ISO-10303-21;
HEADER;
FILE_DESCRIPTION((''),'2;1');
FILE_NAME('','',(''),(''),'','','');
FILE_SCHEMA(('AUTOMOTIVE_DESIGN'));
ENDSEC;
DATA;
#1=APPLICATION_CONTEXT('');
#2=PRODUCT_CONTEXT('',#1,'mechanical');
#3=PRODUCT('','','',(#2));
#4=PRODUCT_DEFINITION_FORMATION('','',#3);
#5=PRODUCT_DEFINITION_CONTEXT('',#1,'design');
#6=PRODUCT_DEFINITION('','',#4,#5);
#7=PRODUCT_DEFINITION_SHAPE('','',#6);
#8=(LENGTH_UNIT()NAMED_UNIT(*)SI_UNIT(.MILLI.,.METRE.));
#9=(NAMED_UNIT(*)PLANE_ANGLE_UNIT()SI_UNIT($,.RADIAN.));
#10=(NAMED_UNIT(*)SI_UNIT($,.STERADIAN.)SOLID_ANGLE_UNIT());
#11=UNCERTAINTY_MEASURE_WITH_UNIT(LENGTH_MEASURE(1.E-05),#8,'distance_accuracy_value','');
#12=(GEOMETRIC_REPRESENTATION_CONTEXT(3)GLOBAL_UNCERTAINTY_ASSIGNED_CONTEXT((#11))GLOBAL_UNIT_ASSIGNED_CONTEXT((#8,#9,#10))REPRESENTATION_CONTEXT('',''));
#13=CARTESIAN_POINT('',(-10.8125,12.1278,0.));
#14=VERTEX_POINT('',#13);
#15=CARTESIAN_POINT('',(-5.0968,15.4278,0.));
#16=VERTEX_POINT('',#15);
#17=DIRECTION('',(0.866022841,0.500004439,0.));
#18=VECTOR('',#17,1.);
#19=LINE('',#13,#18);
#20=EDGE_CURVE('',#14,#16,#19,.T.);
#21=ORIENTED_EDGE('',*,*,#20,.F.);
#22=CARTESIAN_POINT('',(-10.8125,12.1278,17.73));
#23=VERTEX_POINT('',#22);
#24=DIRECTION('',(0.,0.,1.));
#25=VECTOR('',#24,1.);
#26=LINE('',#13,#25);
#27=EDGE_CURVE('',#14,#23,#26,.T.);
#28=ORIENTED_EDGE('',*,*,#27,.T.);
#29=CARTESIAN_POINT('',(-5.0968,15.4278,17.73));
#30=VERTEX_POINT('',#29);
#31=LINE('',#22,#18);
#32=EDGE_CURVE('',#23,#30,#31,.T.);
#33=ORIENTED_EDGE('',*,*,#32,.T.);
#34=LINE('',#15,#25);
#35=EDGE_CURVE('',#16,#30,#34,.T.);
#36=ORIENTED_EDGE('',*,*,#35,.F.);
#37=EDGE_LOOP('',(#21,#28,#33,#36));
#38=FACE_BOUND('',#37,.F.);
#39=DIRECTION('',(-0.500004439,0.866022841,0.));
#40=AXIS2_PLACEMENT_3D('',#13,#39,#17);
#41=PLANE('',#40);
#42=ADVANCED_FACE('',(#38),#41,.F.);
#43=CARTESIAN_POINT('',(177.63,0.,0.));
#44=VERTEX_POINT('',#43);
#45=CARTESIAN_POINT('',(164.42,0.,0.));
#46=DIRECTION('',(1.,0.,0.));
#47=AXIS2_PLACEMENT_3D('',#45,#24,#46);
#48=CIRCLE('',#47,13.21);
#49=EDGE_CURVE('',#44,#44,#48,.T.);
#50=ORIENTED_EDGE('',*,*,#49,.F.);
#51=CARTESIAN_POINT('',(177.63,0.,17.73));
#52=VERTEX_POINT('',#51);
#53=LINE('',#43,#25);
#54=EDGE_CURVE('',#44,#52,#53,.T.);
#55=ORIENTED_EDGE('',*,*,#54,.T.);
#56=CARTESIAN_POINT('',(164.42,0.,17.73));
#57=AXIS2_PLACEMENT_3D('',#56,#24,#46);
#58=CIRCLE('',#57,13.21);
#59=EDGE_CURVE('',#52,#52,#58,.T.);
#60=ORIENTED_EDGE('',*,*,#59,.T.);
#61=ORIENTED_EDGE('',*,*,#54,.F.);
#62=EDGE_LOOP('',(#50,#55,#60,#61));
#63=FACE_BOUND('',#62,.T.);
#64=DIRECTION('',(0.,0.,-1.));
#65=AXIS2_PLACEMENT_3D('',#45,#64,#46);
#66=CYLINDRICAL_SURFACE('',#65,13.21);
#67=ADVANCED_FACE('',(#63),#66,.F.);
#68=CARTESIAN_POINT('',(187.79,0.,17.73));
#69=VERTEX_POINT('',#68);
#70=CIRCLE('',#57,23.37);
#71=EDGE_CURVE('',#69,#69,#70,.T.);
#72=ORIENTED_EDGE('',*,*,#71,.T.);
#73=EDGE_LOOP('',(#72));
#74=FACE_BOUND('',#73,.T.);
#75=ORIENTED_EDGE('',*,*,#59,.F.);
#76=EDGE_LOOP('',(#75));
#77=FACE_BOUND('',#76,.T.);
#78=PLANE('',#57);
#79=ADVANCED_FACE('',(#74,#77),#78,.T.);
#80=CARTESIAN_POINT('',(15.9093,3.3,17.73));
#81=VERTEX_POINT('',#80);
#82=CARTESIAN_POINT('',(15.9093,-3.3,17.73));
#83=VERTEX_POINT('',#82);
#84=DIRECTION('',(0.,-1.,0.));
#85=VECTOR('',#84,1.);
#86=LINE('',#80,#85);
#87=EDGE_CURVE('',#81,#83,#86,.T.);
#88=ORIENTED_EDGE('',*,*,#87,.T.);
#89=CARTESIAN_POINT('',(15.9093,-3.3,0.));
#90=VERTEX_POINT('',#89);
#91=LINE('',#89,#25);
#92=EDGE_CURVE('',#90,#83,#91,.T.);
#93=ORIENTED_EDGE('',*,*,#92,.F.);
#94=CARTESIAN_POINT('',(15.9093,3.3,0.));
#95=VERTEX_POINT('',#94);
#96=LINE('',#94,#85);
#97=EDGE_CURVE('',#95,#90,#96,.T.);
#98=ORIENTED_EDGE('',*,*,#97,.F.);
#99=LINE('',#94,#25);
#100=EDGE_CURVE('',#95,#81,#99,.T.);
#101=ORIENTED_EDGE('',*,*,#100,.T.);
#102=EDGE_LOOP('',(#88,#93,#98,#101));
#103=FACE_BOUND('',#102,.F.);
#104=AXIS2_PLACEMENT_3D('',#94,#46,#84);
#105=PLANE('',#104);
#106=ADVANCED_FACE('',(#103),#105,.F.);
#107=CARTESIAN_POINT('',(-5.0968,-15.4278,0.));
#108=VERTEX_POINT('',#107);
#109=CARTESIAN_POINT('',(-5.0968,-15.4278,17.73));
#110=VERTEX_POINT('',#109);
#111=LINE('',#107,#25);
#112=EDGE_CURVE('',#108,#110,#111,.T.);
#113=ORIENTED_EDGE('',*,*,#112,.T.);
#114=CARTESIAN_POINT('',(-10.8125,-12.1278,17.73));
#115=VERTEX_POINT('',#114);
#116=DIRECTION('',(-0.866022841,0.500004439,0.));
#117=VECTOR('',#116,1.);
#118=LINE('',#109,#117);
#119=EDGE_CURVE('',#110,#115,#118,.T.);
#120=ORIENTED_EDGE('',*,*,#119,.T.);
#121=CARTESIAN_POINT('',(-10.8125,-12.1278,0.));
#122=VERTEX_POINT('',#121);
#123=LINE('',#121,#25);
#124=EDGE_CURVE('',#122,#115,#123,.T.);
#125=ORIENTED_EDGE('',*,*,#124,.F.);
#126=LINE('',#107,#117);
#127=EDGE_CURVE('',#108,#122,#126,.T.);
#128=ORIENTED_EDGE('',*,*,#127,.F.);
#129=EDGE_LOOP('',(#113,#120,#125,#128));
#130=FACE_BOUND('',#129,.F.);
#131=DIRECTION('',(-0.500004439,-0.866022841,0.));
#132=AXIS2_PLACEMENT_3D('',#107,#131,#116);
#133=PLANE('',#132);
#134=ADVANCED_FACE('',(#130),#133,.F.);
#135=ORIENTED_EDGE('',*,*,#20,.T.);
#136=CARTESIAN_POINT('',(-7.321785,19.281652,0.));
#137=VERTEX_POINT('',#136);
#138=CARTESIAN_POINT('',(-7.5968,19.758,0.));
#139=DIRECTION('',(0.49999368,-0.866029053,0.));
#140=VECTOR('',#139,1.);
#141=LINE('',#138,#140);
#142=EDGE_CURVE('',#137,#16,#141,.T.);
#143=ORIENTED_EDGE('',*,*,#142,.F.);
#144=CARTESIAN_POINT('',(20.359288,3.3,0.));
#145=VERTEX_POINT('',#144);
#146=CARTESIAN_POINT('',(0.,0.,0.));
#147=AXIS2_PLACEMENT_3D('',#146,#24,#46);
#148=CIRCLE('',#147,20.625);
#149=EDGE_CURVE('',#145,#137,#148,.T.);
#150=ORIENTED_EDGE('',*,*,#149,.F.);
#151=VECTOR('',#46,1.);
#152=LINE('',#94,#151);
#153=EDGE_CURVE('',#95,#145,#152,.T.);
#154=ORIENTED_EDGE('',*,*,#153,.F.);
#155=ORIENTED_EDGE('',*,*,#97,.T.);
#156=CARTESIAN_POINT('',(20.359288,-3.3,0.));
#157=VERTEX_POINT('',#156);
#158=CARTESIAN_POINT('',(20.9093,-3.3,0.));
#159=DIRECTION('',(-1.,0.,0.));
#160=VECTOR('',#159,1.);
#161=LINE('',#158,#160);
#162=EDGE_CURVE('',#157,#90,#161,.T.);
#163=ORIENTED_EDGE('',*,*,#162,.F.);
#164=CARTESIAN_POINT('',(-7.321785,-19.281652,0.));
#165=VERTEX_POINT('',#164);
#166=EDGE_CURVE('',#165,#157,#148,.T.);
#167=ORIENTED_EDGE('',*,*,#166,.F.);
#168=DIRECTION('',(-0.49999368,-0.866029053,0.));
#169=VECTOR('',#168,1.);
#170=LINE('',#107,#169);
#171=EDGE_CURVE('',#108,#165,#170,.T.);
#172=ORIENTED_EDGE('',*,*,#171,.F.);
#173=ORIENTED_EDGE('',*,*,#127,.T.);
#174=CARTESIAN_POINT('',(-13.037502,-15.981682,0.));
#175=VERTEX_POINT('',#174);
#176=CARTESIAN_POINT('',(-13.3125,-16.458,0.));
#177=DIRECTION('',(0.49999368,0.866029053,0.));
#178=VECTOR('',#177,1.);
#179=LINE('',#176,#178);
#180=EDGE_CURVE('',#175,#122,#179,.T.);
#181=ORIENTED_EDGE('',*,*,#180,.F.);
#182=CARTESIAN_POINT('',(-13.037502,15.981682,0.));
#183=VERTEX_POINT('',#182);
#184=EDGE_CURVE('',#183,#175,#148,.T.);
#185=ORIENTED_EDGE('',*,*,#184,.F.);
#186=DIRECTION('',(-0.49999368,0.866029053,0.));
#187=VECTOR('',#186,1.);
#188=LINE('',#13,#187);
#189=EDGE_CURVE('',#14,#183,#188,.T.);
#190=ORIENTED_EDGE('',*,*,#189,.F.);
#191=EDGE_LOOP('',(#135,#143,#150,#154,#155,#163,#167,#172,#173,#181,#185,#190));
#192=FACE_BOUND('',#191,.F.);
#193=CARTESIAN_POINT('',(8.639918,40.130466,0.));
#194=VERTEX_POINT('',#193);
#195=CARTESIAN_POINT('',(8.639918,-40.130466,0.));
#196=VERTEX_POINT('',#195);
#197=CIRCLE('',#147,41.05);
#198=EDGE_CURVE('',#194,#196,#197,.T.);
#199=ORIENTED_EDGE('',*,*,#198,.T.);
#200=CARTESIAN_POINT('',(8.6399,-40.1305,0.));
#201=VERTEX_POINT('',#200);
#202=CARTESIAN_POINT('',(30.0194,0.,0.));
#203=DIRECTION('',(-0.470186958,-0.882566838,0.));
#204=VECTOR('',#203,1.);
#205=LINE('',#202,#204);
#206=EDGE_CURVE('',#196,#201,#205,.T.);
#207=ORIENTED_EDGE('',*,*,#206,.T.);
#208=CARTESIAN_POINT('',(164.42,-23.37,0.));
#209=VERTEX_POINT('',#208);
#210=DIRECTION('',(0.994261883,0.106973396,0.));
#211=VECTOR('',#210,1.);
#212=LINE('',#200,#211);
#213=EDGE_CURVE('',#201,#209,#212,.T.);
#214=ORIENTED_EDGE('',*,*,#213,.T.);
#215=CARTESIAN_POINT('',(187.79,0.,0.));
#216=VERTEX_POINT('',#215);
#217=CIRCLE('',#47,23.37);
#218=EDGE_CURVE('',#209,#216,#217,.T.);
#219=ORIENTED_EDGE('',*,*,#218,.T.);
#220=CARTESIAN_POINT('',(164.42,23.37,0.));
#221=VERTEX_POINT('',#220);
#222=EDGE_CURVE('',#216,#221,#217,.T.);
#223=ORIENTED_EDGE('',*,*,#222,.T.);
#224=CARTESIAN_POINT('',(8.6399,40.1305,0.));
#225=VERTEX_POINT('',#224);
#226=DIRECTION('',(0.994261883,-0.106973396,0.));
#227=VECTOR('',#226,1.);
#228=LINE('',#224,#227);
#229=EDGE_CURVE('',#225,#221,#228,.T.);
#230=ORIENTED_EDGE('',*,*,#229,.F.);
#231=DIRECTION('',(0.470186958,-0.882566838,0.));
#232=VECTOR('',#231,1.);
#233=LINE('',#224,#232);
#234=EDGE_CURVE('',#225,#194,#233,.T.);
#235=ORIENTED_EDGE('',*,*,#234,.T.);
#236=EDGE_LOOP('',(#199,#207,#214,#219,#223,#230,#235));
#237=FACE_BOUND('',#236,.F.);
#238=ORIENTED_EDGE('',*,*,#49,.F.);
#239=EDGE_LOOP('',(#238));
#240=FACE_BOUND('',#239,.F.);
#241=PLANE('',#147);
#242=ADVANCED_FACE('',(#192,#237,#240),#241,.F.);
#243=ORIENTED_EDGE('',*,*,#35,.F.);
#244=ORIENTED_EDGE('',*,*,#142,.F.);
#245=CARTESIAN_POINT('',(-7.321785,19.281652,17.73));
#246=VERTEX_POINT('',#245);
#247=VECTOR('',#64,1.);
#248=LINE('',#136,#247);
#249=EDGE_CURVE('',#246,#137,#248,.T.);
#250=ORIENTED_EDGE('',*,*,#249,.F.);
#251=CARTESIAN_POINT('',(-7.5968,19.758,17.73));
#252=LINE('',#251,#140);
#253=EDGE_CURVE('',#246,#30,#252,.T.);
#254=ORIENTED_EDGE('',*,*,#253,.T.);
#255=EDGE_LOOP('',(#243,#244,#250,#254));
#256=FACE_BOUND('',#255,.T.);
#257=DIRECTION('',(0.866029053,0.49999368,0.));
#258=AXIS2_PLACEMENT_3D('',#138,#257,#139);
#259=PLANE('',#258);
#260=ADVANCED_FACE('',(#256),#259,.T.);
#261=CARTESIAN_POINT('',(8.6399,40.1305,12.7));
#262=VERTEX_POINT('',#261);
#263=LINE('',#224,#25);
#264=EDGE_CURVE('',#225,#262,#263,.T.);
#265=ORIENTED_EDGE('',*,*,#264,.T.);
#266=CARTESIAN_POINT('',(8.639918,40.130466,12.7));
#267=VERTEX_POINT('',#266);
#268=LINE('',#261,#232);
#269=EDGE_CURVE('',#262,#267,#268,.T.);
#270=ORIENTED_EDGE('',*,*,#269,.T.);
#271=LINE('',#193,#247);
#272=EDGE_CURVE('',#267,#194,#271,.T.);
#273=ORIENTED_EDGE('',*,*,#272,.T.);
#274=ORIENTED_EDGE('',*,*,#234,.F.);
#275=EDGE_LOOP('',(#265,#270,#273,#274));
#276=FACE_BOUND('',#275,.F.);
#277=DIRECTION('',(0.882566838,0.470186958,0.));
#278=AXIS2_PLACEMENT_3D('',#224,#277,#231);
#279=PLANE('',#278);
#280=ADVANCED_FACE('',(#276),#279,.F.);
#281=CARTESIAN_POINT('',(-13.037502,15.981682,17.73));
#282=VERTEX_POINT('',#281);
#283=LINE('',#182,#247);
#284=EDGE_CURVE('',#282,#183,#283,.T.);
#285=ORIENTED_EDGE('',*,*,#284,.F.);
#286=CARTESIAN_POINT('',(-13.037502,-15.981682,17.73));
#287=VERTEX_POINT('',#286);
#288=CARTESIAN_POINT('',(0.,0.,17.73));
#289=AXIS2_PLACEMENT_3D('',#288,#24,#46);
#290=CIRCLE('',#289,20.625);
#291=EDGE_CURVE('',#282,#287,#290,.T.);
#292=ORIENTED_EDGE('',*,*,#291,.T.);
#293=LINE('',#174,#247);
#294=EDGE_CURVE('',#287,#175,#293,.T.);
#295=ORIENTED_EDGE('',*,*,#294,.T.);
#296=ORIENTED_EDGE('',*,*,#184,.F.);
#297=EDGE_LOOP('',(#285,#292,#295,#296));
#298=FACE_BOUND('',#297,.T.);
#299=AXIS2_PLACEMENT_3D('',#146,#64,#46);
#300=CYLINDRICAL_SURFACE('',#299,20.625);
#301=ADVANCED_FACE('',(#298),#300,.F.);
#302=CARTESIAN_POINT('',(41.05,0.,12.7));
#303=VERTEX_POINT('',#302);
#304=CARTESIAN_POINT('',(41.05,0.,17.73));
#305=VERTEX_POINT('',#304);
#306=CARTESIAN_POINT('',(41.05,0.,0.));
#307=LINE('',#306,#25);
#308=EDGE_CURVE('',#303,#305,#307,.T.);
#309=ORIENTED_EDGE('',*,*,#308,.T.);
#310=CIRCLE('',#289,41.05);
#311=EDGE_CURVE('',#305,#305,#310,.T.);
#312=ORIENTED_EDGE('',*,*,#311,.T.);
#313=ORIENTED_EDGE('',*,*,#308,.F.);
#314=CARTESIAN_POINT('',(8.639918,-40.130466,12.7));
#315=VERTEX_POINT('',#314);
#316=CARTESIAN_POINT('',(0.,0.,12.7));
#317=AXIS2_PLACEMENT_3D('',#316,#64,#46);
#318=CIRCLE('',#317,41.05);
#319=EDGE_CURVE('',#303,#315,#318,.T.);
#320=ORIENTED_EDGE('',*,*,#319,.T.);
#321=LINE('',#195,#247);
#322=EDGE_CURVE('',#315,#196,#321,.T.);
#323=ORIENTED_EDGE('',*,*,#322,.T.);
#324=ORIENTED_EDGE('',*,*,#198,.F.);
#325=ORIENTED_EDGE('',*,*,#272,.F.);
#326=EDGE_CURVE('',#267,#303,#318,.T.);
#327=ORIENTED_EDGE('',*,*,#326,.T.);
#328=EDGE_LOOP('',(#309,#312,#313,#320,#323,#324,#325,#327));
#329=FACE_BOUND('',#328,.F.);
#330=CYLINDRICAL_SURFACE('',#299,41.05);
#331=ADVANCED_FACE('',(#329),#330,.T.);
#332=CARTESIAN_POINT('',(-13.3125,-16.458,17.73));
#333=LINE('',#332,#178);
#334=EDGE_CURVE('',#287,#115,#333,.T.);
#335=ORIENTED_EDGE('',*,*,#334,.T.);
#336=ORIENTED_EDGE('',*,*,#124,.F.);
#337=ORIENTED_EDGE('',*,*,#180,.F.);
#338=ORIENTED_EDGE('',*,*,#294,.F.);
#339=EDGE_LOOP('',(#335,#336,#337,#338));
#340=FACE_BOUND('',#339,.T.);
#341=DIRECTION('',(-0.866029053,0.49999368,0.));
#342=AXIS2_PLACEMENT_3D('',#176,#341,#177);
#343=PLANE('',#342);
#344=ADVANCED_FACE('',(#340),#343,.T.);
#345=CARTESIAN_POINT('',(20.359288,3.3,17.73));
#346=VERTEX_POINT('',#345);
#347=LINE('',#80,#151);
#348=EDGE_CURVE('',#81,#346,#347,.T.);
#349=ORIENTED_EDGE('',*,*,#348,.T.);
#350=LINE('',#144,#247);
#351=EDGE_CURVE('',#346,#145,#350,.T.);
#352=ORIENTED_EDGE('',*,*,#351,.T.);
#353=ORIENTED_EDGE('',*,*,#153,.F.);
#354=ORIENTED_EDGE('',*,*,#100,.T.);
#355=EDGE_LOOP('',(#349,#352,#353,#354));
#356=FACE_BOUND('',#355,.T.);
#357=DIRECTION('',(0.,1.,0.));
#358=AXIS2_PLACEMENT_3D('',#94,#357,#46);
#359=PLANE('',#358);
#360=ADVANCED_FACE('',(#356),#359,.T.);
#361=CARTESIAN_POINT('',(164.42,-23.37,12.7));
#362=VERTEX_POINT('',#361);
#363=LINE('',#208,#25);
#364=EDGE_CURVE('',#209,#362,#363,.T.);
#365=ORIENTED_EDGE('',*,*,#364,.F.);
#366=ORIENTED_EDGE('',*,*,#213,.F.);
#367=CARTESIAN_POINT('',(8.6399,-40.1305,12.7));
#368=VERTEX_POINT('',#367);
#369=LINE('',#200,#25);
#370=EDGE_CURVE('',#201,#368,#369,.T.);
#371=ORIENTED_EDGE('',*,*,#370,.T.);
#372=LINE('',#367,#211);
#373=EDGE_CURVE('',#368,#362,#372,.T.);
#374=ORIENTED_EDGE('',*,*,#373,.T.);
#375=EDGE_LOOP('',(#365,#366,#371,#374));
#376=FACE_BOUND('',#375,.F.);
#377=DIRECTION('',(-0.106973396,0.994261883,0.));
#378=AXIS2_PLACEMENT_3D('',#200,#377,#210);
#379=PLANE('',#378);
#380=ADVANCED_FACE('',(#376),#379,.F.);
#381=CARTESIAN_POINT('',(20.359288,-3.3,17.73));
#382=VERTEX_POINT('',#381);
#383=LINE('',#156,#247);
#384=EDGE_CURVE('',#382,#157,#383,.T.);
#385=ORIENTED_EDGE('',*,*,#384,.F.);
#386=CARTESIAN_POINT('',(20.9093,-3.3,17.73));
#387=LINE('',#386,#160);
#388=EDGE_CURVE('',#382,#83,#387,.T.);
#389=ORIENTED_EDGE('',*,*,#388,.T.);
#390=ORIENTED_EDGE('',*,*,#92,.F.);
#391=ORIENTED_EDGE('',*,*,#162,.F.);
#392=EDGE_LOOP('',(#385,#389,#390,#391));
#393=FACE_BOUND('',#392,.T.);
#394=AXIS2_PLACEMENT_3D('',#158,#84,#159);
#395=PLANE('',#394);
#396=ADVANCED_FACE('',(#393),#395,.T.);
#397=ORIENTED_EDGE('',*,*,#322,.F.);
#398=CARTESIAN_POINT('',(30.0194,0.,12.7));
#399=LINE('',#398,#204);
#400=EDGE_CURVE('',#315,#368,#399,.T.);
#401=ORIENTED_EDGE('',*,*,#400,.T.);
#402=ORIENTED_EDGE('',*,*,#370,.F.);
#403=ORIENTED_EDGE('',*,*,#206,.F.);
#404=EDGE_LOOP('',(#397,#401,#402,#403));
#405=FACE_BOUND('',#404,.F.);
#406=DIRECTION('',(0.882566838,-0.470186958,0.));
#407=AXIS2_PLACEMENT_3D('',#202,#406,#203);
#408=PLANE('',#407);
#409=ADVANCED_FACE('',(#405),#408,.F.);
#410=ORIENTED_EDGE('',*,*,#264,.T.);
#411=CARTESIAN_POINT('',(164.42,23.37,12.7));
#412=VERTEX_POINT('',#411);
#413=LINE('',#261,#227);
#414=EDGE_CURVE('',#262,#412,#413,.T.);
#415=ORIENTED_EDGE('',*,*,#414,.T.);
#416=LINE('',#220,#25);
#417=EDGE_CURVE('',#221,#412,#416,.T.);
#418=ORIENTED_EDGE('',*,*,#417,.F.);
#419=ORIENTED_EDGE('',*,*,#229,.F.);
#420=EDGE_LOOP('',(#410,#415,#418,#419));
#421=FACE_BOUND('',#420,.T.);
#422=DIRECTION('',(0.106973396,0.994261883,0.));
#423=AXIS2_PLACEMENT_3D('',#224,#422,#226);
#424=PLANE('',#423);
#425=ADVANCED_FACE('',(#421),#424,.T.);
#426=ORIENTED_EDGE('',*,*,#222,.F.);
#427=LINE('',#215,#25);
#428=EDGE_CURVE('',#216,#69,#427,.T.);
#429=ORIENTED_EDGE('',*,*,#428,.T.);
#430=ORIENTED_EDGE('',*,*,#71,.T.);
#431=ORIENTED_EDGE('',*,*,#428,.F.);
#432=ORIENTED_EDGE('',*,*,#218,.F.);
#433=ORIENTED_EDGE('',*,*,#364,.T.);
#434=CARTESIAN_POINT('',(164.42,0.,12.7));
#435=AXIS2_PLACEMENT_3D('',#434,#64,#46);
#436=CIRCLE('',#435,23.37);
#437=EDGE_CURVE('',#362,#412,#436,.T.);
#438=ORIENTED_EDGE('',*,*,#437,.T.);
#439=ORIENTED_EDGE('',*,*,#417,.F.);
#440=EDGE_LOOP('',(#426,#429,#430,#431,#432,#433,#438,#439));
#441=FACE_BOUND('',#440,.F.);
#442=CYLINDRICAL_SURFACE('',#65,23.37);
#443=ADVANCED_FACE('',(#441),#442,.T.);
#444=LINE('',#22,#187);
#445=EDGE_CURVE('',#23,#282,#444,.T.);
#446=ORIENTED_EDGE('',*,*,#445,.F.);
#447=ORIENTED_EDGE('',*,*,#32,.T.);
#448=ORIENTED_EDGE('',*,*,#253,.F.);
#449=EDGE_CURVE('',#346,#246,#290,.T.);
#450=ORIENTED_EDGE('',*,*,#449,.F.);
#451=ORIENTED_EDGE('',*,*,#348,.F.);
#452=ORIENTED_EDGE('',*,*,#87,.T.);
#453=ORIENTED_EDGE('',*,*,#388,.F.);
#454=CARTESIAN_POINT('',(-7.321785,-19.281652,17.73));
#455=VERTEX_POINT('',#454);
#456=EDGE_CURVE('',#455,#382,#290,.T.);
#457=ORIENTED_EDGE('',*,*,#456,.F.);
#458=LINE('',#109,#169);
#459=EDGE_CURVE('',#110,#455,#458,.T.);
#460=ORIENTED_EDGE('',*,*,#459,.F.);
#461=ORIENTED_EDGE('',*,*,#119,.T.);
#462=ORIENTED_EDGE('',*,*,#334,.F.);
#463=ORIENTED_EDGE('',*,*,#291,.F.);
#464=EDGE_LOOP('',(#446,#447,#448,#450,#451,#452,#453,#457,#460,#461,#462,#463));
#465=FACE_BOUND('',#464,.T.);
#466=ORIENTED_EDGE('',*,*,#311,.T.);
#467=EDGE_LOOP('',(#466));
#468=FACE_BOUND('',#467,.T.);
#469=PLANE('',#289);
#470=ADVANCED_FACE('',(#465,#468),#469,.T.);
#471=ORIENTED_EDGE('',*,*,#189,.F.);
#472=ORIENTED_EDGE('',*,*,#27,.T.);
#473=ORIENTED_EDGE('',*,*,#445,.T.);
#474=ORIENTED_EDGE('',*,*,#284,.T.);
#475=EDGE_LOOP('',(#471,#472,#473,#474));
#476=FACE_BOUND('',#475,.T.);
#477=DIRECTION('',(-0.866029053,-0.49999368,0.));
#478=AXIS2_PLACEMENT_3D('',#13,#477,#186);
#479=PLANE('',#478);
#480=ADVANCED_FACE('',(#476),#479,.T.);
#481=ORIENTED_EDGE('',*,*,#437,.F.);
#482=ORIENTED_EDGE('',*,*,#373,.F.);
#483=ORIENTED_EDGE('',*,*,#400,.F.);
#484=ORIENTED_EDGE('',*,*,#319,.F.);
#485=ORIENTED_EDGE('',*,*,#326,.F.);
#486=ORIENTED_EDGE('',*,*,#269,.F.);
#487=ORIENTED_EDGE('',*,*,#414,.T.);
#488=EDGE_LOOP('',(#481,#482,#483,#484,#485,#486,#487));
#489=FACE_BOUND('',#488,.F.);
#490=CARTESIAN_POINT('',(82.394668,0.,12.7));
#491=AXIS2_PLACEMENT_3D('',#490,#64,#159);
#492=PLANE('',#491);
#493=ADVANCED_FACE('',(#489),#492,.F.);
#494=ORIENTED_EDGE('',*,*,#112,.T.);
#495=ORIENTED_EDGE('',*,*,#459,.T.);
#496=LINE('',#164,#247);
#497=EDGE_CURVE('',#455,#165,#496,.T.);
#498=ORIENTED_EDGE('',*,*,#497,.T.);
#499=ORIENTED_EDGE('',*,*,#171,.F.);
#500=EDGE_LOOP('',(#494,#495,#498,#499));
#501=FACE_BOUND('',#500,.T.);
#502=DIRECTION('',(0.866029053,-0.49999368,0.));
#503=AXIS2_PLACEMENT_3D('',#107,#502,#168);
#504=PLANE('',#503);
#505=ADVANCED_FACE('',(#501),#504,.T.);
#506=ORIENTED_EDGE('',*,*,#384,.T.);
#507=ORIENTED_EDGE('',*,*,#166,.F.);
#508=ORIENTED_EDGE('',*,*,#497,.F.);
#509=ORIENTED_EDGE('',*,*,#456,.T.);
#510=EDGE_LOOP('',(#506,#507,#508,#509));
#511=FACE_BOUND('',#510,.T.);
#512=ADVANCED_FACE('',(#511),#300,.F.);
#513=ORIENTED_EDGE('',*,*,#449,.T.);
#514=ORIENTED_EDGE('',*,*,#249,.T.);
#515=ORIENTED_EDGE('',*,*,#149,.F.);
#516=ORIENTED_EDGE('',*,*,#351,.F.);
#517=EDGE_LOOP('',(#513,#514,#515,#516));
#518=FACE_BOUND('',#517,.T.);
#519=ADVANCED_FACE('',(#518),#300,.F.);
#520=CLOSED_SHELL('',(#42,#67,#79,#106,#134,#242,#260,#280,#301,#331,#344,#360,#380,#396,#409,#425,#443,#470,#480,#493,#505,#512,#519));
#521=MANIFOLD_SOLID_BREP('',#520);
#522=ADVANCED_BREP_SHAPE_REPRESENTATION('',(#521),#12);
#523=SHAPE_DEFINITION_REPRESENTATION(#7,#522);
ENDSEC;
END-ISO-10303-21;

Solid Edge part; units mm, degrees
sketch "Sketch1" plane through (0, 0, 0) normal (0, 0, 1) x (1, 0, 0)
  circle A0 centre (0, 0) radius 41.05
  circle A1 centre (0, 0) radius 20.625
  circle A2 centre (164.42, 0) radius 23.37
  circle A3 centre (164.42, 0) radius 13.21
extrude "Protrusion1" add sketch "Sketch1" along normal blind 17.73
sketch "Sketch2" plane through (0, 0, 0) normal (0, 0, 1) x (1, 0, 0)
  line L0 (8.6399, 40.1305) -> (164.42, 23.37)
  line L1 (144.2869, 0) -> (164.42, 23.37)
  line L2 (164.42, -23.37) -> (144.2869, 0)
  line L3 (8.6399, -40.1305) -> (164.42, -23.37)
  line L4 (30.0194, 0) -> (8.6399, -40.1305)
  line L5 (8.6399, 40.1305) -> (30.0194, 0)
extrude "ExtrudedProtrusion_2" add sketch "Sketch2" along normal blind 12.7
sketch "Sketch3" plane through (0, 0, 0) normal (0, 0, 1) x (1, 0, 0)
  line L0 (-10.8125, 12.1278) -> (-5.0968, 15.4278)
  line L1 (-7.5968, 19.758) -> (-5.0968, 15.4278)
  line L2 (-13.3125, 16.458) -> (-7.5968, 19.758)
  line L3 (-10.8125, 12.1278) -> (-13.3125, 16.458)
  line L4 (-5.0968, -15.4278) -> (-7.5968, -19.758)
  line L5 (-7.5968, -19.758) -> (-13.3125, -16.458)
  line L6 (-13.3125, -16.458) -> (-10.8125, -12.1278)
  line L7 (-5.0968, -15.4278) -> (-10.8125, -12.1278)
  line L8 (15.9093, 3.3) -> (15.9093, -3.3)
  line L9 (20.9093, -3.3) -> (15.9093, -3.3)
  line L10 (20.9093, 3.3) -> (20.9093, -3.3)
  line L11 (15.9093, 3.3) -> (20.9093, 3.3)
extrude "Protrusion2" add sketch "Sketch3" along normal up to vertex (17.73 mm away)
